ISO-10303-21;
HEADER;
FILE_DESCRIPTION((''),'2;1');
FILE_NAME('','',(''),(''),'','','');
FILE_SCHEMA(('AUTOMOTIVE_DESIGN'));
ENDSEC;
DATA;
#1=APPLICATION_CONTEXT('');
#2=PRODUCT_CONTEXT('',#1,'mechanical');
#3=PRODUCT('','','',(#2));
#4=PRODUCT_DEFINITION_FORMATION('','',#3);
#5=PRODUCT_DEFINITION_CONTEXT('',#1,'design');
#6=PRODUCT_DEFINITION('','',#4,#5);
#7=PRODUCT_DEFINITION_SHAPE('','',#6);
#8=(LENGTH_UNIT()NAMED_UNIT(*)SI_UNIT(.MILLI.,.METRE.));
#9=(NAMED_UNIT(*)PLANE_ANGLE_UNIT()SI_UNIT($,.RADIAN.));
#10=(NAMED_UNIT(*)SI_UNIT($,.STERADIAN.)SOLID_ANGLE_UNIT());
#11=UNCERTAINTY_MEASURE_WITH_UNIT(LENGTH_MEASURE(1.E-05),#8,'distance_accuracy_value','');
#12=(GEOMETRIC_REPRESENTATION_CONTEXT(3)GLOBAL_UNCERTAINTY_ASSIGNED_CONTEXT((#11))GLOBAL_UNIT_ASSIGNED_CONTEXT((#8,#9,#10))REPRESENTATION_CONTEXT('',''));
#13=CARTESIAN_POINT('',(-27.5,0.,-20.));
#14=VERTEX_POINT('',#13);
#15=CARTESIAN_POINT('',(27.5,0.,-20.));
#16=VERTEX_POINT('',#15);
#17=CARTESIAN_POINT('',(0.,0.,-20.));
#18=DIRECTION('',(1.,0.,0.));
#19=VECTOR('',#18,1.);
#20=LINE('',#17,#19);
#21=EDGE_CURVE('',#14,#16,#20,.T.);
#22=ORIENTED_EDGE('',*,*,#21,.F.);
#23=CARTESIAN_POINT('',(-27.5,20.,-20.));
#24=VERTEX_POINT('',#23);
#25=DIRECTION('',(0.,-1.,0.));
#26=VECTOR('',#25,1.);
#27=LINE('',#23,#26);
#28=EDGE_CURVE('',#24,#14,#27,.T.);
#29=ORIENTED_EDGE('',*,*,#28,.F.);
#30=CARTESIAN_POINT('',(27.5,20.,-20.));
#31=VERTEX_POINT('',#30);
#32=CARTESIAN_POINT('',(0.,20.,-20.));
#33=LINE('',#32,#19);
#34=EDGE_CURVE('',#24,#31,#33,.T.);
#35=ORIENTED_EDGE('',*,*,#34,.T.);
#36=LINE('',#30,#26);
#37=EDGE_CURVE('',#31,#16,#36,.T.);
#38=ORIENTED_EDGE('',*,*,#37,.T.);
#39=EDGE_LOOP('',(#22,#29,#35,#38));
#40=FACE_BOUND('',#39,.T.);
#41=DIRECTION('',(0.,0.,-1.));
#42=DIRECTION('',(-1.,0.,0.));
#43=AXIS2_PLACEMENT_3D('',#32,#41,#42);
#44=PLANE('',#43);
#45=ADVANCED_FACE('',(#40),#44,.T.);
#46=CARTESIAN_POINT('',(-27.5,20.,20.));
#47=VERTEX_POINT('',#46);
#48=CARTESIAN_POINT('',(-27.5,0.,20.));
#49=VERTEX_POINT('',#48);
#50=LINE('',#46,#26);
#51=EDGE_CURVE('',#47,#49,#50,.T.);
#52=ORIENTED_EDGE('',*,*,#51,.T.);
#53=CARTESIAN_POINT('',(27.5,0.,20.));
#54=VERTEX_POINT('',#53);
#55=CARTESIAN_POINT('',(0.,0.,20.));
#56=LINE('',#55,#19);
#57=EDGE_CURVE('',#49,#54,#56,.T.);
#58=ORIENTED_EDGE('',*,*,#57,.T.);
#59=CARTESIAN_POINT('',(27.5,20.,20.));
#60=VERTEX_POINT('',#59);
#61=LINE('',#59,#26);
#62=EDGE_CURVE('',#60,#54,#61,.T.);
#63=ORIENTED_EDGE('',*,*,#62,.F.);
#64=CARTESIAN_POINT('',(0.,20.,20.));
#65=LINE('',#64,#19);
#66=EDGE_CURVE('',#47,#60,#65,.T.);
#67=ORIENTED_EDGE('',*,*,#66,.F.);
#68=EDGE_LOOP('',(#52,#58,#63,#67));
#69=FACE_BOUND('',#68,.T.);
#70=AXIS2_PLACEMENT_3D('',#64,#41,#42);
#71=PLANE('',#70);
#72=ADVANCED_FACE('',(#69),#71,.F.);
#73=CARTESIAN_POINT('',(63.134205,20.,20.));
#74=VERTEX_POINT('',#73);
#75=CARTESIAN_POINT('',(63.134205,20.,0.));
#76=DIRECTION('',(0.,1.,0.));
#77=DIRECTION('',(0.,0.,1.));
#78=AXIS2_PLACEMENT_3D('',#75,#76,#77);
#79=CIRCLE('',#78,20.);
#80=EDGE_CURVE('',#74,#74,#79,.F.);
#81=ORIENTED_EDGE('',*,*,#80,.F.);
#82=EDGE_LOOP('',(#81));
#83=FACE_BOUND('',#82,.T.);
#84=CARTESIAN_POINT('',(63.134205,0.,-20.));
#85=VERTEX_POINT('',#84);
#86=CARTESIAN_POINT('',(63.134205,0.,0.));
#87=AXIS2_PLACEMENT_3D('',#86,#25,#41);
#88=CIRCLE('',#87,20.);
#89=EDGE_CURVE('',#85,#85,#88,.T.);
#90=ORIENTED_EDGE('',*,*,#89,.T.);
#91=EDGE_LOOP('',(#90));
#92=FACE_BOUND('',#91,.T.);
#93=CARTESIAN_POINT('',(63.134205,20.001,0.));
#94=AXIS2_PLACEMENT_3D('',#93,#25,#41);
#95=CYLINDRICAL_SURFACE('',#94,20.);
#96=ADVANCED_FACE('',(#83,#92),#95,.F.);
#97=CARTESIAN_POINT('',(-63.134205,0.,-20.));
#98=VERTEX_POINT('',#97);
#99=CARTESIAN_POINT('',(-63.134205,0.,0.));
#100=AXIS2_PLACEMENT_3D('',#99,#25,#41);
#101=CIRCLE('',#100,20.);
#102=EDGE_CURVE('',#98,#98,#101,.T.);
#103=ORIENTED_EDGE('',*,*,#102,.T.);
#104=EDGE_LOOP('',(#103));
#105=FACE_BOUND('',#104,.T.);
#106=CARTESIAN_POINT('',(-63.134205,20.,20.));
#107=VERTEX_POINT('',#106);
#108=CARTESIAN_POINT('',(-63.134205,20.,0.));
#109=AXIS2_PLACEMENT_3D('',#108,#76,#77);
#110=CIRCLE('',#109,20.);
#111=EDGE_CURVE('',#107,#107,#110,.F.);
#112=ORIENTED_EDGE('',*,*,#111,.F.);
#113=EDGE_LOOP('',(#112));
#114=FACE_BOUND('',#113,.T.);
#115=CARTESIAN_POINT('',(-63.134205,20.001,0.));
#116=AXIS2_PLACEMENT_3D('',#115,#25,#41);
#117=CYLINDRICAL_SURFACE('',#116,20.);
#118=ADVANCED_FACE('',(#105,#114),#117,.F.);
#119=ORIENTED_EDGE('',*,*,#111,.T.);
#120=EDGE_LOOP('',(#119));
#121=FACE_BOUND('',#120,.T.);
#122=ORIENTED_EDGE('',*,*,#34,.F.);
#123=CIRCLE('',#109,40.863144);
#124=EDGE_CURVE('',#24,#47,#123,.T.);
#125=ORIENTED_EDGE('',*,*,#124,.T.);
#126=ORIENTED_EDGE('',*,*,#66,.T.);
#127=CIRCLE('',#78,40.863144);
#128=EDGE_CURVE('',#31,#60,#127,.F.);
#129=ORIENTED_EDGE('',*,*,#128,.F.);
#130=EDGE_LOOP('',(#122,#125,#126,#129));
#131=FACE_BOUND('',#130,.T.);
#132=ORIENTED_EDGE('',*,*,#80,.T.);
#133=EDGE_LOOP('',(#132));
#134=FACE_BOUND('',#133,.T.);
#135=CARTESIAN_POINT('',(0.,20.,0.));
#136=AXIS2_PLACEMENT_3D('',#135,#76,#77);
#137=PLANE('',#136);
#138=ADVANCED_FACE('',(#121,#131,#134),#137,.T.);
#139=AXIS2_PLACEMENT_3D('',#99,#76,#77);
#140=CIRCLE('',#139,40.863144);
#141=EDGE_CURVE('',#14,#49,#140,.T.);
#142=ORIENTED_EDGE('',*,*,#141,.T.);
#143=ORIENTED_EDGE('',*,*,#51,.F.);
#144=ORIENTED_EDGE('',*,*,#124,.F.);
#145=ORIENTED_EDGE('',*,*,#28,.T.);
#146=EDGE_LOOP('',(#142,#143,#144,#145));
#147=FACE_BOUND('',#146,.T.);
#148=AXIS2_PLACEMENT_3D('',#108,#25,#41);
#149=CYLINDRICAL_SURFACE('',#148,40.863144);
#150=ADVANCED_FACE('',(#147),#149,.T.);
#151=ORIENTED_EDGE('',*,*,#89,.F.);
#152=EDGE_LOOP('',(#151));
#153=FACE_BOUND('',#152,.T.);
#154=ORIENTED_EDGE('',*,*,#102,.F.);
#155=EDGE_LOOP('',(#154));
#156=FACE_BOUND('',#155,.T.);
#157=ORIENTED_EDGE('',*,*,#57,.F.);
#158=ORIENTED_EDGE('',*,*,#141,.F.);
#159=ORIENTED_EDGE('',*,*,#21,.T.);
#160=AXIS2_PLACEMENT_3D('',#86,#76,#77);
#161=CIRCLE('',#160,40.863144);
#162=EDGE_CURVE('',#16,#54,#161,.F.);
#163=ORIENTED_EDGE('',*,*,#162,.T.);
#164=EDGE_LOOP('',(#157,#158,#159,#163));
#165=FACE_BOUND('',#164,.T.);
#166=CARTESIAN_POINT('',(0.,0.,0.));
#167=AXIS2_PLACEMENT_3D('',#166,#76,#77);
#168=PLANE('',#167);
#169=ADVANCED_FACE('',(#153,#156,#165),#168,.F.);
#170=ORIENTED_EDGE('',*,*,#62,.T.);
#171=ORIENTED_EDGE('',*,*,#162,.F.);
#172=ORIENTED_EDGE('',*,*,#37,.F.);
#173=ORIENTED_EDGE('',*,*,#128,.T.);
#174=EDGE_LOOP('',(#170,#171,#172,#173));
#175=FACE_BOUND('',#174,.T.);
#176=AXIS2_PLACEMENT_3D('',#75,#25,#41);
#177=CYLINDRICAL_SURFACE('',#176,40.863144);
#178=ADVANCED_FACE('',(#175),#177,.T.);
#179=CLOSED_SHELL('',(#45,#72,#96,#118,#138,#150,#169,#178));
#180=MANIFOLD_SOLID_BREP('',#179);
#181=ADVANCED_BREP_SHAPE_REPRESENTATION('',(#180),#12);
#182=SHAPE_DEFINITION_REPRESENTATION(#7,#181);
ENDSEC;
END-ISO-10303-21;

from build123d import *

# Parameters (mm, degrees)
SKETCH4_R           = 40.863144044
SKETCH4_W           = 55
SKETCH4_H           = 40
BOSS_EXTRUDE1_DEPTH = 20
CUT_EXTRUDE1_REACH  = 115.513
SKETCH6_R           = 20


with BuildPart() as part:
    # Sketch4 → Boss-Extrude1 (new body)
    with BuildSketch(Plane(origin=(0, 0, 0), x_dir=(1, 0, 0), z_dir=(0, 1, 0))):
        with Locations((-63.134204652, 0)):
            Circle(SKETCH4_R)
        with Locations((63.134204652, 0)):
            Circle(SKETCH4_R)
        Rectangle(SKETCH4_W, SKETCH4_H)
    extrude(amount=BOSS_EXTRUDE1_DEPTH)

    # Sketch6 → Cut-Extrude1 (cut, up to next)
    with BuildSketch(Plane.XZ, mode=Mode.PRIVATE) as cut_extrude1_sk1:
        with Locations(Location((-63.134204652, 0, 0), (0, 0, 270))):
            Circle(SKETCH6_R)
    cut_extrude1_tool1 = extrude(cut_extrude1_sk1.sketch, amount=-CUT_EXTRUDE1_REACH, mode=Mode.PRIVATE) & part.part
    # Sketch6 → Cut-Extrude1 (cut, up to next)
    with BuildSketch(Plane.XZ, mode=Mode.PRIVATE) as cut_extrude1_sk2:
        with Locations(Location((63.134204652, 0, 0), (0, 0, 270))):
            Circle(SKETCH6_R)
    cut_extrude1_tool2 = extrude(cut_extrude1_sk2.sketch, amount=-CUT_EXTRUDE1_REACH, mode=Mode.PRIVATE) & part.part
    add(cut_extrude1_tool1.solids().sort_by_distance((-63.134205, 0, 0))[0], mode=Mode.SUBTRACT)
    add(cut_extrude1_tool2.solids().sort_by_distance((63.134205, 0, 0))[0], mode=Mode.SUBTRACT)


solid = part.part
